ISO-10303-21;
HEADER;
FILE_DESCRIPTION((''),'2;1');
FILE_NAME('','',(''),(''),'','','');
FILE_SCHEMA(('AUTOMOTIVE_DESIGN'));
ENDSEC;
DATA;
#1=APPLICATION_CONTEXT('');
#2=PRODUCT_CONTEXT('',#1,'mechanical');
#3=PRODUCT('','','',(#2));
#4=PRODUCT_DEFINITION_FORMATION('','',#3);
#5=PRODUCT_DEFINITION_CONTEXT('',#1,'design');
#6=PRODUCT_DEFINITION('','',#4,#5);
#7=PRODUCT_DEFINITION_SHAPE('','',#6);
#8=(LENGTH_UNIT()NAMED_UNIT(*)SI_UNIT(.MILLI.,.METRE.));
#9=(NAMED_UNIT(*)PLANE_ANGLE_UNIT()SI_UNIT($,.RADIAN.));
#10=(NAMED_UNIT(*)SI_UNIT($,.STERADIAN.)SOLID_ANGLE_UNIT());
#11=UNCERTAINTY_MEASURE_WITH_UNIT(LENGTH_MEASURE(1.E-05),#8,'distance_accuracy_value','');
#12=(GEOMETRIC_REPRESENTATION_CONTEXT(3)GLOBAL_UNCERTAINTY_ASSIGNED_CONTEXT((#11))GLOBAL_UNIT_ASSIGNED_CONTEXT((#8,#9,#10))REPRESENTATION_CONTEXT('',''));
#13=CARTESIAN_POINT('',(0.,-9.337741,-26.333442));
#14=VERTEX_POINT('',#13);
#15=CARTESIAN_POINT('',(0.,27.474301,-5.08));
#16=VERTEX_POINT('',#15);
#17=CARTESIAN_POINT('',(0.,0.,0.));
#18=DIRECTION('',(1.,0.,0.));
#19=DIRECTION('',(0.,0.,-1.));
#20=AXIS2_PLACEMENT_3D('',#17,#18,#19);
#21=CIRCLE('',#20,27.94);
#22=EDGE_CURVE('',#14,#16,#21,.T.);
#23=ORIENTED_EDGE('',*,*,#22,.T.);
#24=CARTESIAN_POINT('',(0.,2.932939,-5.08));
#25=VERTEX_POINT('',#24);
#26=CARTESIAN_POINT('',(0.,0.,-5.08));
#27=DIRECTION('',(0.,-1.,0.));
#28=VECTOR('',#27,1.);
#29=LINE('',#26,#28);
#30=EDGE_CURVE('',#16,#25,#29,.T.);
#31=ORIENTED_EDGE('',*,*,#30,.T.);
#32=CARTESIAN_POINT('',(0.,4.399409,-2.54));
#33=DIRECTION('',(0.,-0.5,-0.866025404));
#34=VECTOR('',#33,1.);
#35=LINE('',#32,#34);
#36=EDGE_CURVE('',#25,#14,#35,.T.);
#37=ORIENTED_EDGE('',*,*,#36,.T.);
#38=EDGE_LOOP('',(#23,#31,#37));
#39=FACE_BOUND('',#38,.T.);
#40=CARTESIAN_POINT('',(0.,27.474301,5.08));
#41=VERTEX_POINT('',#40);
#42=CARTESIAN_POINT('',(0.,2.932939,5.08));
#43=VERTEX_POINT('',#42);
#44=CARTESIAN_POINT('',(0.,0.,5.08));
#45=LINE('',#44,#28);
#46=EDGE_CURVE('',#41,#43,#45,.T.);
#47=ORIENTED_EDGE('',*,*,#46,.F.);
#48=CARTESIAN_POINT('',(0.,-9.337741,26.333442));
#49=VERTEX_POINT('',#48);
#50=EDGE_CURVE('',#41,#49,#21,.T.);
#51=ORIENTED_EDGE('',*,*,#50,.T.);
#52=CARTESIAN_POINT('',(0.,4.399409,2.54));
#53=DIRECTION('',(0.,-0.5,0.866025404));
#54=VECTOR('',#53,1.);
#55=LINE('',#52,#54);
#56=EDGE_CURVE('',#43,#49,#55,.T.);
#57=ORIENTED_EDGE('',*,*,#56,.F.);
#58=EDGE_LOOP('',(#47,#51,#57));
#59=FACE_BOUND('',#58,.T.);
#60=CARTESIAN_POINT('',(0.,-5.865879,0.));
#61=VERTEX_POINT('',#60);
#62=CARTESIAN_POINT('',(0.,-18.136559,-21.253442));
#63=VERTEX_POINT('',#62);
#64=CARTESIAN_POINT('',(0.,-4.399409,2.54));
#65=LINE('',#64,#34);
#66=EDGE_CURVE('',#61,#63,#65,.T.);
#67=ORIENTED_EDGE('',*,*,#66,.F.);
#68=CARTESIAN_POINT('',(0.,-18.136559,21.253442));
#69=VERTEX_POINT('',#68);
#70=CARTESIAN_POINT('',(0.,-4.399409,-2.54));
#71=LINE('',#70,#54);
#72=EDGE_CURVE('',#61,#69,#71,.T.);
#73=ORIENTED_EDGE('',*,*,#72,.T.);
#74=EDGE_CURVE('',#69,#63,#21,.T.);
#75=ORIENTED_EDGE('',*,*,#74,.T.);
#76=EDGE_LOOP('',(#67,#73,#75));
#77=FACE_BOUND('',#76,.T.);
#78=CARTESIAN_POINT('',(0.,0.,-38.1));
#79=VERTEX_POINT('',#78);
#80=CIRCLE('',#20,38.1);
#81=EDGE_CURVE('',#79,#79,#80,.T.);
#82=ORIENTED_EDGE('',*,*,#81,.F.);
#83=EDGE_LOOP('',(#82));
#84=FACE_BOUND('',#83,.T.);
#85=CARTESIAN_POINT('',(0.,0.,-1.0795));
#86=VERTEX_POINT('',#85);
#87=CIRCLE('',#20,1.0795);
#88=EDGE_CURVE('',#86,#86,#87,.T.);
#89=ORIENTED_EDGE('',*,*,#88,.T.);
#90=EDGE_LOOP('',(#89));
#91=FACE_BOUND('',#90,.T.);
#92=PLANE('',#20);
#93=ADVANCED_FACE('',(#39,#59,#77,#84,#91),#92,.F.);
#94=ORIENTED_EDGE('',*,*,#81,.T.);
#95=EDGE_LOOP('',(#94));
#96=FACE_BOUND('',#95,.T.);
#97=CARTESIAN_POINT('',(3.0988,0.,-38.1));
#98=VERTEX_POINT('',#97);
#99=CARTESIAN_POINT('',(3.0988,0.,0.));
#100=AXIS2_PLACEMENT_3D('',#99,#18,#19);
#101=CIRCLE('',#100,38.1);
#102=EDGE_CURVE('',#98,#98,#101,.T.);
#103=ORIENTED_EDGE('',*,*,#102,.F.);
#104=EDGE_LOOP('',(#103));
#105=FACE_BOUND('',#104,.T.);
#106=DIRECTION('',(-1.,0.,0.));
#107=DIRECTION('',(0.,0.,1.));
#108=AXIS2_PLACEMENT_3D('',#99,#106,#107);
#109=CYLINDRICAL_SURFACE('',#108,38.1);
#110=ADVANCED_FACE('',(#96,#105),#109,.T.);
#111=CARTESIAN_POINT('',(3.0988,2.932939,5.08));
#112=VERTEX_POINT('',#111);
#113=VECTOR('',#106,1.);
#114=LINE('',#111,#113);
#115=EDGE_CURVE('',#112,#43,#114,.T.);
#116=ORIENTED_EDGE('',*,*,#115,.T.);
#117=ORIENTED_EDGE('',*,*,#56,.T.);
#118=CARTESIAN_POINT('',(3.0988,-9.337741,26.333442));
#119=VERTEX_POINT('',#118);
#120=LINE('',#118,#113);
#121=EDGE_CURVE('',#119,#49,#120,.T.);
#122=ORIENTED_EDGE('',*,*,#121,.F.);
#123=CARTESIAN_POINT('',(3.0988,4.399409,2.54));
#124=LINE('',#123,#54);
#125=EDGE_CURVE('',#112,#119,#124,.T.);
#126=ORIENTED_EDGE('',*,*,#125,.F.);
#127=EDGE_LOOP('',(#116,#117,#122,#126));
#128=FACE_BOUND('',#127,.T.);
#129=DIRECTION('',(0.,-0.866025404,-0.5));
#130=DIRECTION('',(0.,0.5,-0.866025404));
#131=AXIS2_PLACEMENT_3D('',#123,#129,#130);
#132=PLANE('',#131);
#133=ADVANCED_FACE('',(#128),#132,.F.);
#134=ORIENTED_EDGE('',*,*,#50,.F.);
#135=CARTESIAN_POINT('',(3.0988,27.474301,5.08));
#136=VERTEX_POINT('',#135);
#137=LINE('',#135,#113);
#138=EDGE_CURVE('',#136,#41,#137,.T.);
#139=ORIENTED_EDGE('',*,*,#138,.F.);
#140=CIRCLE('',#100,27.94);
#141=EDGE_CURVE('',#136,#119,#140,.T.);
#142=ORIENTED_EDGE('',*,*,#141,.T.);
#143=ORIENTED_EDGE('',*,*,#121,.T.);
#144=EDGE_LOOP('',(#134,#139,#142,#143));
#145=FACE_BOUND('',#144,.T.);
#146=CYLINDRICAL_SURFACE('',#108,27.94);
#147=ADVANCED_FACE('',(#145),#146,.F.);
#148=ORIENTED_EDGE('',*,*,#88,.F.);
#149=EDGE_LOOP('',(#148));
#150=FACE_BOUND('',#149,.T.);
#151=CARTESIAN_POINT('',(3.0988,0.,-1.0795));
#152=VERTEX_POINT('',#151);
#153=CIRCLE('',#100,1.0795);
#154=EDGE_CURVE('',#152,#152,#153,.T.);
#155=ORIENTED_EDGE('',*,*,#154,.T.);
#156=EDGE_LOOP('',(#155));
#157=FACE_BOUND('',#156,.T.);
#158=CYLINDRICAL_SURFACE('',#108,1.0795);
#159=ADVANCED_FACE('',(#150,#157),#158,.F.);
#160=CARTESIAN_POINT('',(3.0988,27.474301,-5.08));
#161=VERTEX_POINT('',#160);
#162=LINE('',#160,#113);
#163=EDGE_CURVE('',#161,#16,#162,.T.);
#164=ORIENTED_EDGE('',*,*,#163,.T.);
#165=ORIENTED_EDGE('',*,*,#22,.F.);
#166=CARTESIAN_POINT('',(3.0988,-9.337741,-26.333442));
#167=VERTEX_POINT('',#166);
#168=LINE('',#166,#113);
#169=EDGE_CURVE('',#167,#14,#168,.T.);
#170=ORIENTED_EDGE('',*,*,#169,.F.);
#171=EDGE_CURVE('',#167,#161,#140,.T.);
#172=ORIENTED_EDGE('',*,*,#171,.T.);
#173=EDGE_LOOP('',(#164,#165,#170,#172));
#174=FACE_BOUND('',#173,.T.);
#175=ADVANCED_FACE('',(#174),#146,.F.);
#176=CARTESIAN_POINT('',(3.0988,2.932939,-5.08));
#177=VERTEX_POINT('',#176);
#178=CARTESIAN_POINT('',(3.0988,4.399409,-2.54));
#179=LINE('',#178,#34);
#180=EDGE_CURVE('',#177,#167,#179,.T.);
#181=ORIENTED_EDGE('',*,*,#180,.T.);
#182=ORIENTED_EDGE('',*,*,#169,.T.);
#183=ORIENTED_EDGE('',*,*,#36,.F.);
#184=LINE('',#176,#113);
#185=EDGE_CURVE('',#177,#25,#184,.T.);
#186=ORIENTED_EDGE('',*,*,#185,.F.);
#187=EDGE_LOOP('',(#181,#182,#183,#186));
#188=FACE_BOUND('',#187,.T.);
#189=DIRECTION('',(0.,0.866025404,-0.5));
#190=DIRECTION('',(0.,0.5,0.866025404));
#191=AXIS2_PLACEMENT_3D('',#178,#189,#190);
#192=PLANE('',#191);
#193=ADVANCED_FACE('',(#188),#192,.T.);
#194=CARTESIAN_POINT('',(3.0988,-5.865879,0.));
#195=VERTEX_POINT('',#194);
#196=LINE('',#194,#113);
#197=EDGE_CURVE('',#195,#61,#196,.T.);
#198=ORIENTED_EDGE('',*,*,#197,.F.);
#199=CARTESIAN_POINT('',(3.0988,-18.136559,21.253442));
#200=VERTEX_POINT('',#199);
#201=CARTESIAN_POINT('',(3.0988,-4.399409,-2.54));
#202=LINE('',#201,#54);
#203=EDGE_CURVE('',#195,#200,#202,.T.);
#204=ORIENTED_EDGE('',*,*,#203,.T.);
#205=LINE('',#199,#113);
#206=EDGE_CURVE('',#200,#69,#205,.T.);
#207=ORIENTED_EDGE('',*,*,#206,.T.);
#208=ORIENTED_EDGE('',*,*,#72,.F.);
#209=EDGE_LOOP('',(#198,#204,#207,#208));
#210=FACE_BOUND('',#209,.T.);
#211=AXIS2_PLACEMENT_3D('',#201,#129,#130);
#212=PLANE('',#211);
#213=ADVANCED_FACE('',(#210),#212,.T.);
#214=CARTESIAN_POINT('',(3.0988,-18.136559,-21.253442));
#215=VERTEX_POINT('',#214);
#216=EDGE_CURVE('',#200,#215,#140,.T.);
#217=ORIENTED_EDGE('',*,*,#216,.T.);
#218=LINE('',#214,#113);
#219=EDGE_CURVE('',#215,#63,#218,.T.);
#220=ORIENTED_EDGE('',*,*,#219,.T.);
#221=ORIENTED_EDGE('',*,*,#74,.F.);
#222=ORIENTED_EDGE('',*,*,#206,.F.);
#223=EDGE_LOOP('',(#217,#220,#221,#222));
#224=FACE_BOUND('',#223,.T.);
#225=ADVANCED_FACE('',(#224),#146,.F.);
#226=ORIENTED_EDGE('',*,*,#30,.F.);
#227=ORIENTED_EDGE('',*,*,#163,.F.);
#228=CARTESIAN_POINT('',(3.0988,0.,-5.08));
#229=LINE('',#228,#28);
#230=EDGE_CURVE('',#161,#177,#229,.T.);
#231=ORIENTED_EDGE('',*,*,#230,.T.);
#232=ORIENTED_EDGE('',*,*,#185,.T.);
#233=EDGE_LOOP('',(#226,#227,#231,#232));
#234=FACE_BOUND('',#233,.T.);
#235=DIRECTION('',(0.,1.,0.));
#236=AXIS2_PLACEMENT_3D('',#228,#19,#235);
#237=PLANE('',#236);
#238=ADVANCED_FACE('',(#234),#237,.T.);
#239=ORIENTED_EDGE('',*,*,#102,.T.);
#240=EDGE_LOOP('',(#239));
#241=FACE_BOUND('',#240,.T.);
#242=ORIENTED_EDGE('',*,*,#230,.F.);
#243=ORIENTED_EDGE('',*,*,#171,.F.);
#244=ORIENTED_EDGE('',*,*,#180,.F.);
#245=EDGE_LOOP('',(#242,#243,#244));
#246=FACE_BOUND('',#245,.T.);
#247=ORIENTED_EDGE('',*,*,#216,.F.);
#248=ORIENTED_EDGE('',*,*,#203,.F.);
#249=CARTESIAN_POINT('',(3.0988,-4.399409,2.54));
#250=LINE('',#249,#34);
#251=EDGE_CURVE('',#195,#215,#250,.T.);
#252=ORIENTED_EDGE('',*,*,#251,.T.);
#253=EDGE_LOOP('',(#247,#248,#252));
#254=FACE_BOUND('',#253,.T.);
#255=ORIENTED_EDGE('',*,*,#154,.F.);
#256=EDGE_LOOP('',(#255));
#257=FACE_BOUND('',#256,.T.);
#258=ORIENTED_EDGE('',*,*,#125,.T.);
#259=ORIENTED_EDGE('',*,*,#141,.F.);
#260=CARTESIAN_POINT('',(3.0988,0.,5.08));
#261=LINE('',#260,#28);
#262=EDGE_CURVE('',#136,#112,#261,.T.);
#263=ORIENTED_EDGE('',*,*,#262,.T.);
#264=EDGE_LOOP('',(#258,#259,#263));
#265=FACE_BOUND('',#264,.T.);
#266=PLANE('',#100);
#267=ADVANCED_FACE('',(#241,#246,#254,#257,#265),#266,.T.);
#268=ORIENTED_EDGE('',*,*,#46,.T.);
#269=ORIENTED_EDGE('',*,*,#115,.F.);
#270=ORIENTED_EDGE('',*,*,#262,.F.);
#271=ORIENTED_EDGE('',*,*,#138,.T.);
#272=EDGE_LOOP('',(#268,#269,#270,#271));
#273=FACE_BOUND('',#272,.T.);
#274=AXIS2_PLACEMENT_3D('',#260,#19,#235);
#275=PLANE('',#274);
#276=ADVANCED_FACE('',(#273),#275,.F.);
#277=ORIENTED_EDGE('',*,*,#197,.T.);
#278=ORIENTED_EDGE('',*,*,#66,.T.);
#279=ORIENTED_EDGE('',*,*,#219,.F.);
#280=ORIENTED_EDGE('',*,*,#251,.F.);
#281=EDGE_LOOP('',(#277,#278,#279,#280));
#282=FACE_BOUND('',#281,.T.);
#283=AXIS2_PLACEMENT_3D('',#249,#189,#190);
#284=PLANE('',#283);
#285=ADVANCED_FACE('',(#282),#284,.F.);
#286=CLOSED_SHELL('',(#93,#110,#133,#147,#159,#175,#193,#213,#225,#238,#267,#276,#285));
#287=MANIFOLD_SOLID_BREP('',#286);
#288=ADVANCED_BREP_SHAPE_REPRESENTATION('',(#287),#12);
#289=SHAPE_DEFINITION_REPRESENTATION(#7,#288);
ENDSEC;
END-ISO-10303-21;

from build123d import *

# Parameters (mm, degrees)
SKETCH2_R           = 38.1
BOSS_EXTRUDE5_DEPTH = 3.0988
SKETCH2_3_R         = 1.0795
CUT_EXTRUDE3_DEPTH  = 54.970571254


with BuildPart() as part:
    # Sketch2 → Boss-Extrude5 (new body)
    with BuildSketch(Plane(origin=(0, 0, 0), x_dir=(0, 0, -1), z_dir=(1, 0, 0))):
        Circle(SKETCH2_R)
    extrude(amount=BOSS_EXTRUDE5_DEPTH)

    # Sketch2<3> → Cut-Extrude3 (cut, through all)
    with BuildSketch(Plane(origin=(0, 0, 0), x_dir=(0, 0, -1), z_dir=(1, 0, 0))):
        with BuildLine():
            Line((21.253442374, -18.136559411), (0, -5.865878735))
            Line((0, -5.865878735), (-21.253442374, -18.136559411))
            ThreePointArc((-21.253442374, -18.136559411), (0, -27.94), (21.253442374, -18.136559411))
        make_face()
        with BuildLine():
            Line((-26.333442374, -9.337741308), (-5.08, 2.932939367))
            Line((-5.08, 2.932939367), (-5.08, 27.474300719))
            ThreePointArc((-5.08, 27.474300719), (-24.196749782, 13.97), (-26.333442374, -9.337741308))
        make_face()
        with BuildLine():
            Line((5.08, 2.932939367), (26.333442374, -9.337741308))
            ThreePointArc((26.333442374, -9.337741308), (24.196749782, 13.97), (5.08, 27.474300719))
            Line((5.08, 27.474300719), (5.08, 2.932939367))
        make_face()
        Circle(SKETCH2_3_R)
    extrude(amount=CUT_EXTRUDE3_DEPTH, mode=Mode.SUBTRACT)


solid = part.part
